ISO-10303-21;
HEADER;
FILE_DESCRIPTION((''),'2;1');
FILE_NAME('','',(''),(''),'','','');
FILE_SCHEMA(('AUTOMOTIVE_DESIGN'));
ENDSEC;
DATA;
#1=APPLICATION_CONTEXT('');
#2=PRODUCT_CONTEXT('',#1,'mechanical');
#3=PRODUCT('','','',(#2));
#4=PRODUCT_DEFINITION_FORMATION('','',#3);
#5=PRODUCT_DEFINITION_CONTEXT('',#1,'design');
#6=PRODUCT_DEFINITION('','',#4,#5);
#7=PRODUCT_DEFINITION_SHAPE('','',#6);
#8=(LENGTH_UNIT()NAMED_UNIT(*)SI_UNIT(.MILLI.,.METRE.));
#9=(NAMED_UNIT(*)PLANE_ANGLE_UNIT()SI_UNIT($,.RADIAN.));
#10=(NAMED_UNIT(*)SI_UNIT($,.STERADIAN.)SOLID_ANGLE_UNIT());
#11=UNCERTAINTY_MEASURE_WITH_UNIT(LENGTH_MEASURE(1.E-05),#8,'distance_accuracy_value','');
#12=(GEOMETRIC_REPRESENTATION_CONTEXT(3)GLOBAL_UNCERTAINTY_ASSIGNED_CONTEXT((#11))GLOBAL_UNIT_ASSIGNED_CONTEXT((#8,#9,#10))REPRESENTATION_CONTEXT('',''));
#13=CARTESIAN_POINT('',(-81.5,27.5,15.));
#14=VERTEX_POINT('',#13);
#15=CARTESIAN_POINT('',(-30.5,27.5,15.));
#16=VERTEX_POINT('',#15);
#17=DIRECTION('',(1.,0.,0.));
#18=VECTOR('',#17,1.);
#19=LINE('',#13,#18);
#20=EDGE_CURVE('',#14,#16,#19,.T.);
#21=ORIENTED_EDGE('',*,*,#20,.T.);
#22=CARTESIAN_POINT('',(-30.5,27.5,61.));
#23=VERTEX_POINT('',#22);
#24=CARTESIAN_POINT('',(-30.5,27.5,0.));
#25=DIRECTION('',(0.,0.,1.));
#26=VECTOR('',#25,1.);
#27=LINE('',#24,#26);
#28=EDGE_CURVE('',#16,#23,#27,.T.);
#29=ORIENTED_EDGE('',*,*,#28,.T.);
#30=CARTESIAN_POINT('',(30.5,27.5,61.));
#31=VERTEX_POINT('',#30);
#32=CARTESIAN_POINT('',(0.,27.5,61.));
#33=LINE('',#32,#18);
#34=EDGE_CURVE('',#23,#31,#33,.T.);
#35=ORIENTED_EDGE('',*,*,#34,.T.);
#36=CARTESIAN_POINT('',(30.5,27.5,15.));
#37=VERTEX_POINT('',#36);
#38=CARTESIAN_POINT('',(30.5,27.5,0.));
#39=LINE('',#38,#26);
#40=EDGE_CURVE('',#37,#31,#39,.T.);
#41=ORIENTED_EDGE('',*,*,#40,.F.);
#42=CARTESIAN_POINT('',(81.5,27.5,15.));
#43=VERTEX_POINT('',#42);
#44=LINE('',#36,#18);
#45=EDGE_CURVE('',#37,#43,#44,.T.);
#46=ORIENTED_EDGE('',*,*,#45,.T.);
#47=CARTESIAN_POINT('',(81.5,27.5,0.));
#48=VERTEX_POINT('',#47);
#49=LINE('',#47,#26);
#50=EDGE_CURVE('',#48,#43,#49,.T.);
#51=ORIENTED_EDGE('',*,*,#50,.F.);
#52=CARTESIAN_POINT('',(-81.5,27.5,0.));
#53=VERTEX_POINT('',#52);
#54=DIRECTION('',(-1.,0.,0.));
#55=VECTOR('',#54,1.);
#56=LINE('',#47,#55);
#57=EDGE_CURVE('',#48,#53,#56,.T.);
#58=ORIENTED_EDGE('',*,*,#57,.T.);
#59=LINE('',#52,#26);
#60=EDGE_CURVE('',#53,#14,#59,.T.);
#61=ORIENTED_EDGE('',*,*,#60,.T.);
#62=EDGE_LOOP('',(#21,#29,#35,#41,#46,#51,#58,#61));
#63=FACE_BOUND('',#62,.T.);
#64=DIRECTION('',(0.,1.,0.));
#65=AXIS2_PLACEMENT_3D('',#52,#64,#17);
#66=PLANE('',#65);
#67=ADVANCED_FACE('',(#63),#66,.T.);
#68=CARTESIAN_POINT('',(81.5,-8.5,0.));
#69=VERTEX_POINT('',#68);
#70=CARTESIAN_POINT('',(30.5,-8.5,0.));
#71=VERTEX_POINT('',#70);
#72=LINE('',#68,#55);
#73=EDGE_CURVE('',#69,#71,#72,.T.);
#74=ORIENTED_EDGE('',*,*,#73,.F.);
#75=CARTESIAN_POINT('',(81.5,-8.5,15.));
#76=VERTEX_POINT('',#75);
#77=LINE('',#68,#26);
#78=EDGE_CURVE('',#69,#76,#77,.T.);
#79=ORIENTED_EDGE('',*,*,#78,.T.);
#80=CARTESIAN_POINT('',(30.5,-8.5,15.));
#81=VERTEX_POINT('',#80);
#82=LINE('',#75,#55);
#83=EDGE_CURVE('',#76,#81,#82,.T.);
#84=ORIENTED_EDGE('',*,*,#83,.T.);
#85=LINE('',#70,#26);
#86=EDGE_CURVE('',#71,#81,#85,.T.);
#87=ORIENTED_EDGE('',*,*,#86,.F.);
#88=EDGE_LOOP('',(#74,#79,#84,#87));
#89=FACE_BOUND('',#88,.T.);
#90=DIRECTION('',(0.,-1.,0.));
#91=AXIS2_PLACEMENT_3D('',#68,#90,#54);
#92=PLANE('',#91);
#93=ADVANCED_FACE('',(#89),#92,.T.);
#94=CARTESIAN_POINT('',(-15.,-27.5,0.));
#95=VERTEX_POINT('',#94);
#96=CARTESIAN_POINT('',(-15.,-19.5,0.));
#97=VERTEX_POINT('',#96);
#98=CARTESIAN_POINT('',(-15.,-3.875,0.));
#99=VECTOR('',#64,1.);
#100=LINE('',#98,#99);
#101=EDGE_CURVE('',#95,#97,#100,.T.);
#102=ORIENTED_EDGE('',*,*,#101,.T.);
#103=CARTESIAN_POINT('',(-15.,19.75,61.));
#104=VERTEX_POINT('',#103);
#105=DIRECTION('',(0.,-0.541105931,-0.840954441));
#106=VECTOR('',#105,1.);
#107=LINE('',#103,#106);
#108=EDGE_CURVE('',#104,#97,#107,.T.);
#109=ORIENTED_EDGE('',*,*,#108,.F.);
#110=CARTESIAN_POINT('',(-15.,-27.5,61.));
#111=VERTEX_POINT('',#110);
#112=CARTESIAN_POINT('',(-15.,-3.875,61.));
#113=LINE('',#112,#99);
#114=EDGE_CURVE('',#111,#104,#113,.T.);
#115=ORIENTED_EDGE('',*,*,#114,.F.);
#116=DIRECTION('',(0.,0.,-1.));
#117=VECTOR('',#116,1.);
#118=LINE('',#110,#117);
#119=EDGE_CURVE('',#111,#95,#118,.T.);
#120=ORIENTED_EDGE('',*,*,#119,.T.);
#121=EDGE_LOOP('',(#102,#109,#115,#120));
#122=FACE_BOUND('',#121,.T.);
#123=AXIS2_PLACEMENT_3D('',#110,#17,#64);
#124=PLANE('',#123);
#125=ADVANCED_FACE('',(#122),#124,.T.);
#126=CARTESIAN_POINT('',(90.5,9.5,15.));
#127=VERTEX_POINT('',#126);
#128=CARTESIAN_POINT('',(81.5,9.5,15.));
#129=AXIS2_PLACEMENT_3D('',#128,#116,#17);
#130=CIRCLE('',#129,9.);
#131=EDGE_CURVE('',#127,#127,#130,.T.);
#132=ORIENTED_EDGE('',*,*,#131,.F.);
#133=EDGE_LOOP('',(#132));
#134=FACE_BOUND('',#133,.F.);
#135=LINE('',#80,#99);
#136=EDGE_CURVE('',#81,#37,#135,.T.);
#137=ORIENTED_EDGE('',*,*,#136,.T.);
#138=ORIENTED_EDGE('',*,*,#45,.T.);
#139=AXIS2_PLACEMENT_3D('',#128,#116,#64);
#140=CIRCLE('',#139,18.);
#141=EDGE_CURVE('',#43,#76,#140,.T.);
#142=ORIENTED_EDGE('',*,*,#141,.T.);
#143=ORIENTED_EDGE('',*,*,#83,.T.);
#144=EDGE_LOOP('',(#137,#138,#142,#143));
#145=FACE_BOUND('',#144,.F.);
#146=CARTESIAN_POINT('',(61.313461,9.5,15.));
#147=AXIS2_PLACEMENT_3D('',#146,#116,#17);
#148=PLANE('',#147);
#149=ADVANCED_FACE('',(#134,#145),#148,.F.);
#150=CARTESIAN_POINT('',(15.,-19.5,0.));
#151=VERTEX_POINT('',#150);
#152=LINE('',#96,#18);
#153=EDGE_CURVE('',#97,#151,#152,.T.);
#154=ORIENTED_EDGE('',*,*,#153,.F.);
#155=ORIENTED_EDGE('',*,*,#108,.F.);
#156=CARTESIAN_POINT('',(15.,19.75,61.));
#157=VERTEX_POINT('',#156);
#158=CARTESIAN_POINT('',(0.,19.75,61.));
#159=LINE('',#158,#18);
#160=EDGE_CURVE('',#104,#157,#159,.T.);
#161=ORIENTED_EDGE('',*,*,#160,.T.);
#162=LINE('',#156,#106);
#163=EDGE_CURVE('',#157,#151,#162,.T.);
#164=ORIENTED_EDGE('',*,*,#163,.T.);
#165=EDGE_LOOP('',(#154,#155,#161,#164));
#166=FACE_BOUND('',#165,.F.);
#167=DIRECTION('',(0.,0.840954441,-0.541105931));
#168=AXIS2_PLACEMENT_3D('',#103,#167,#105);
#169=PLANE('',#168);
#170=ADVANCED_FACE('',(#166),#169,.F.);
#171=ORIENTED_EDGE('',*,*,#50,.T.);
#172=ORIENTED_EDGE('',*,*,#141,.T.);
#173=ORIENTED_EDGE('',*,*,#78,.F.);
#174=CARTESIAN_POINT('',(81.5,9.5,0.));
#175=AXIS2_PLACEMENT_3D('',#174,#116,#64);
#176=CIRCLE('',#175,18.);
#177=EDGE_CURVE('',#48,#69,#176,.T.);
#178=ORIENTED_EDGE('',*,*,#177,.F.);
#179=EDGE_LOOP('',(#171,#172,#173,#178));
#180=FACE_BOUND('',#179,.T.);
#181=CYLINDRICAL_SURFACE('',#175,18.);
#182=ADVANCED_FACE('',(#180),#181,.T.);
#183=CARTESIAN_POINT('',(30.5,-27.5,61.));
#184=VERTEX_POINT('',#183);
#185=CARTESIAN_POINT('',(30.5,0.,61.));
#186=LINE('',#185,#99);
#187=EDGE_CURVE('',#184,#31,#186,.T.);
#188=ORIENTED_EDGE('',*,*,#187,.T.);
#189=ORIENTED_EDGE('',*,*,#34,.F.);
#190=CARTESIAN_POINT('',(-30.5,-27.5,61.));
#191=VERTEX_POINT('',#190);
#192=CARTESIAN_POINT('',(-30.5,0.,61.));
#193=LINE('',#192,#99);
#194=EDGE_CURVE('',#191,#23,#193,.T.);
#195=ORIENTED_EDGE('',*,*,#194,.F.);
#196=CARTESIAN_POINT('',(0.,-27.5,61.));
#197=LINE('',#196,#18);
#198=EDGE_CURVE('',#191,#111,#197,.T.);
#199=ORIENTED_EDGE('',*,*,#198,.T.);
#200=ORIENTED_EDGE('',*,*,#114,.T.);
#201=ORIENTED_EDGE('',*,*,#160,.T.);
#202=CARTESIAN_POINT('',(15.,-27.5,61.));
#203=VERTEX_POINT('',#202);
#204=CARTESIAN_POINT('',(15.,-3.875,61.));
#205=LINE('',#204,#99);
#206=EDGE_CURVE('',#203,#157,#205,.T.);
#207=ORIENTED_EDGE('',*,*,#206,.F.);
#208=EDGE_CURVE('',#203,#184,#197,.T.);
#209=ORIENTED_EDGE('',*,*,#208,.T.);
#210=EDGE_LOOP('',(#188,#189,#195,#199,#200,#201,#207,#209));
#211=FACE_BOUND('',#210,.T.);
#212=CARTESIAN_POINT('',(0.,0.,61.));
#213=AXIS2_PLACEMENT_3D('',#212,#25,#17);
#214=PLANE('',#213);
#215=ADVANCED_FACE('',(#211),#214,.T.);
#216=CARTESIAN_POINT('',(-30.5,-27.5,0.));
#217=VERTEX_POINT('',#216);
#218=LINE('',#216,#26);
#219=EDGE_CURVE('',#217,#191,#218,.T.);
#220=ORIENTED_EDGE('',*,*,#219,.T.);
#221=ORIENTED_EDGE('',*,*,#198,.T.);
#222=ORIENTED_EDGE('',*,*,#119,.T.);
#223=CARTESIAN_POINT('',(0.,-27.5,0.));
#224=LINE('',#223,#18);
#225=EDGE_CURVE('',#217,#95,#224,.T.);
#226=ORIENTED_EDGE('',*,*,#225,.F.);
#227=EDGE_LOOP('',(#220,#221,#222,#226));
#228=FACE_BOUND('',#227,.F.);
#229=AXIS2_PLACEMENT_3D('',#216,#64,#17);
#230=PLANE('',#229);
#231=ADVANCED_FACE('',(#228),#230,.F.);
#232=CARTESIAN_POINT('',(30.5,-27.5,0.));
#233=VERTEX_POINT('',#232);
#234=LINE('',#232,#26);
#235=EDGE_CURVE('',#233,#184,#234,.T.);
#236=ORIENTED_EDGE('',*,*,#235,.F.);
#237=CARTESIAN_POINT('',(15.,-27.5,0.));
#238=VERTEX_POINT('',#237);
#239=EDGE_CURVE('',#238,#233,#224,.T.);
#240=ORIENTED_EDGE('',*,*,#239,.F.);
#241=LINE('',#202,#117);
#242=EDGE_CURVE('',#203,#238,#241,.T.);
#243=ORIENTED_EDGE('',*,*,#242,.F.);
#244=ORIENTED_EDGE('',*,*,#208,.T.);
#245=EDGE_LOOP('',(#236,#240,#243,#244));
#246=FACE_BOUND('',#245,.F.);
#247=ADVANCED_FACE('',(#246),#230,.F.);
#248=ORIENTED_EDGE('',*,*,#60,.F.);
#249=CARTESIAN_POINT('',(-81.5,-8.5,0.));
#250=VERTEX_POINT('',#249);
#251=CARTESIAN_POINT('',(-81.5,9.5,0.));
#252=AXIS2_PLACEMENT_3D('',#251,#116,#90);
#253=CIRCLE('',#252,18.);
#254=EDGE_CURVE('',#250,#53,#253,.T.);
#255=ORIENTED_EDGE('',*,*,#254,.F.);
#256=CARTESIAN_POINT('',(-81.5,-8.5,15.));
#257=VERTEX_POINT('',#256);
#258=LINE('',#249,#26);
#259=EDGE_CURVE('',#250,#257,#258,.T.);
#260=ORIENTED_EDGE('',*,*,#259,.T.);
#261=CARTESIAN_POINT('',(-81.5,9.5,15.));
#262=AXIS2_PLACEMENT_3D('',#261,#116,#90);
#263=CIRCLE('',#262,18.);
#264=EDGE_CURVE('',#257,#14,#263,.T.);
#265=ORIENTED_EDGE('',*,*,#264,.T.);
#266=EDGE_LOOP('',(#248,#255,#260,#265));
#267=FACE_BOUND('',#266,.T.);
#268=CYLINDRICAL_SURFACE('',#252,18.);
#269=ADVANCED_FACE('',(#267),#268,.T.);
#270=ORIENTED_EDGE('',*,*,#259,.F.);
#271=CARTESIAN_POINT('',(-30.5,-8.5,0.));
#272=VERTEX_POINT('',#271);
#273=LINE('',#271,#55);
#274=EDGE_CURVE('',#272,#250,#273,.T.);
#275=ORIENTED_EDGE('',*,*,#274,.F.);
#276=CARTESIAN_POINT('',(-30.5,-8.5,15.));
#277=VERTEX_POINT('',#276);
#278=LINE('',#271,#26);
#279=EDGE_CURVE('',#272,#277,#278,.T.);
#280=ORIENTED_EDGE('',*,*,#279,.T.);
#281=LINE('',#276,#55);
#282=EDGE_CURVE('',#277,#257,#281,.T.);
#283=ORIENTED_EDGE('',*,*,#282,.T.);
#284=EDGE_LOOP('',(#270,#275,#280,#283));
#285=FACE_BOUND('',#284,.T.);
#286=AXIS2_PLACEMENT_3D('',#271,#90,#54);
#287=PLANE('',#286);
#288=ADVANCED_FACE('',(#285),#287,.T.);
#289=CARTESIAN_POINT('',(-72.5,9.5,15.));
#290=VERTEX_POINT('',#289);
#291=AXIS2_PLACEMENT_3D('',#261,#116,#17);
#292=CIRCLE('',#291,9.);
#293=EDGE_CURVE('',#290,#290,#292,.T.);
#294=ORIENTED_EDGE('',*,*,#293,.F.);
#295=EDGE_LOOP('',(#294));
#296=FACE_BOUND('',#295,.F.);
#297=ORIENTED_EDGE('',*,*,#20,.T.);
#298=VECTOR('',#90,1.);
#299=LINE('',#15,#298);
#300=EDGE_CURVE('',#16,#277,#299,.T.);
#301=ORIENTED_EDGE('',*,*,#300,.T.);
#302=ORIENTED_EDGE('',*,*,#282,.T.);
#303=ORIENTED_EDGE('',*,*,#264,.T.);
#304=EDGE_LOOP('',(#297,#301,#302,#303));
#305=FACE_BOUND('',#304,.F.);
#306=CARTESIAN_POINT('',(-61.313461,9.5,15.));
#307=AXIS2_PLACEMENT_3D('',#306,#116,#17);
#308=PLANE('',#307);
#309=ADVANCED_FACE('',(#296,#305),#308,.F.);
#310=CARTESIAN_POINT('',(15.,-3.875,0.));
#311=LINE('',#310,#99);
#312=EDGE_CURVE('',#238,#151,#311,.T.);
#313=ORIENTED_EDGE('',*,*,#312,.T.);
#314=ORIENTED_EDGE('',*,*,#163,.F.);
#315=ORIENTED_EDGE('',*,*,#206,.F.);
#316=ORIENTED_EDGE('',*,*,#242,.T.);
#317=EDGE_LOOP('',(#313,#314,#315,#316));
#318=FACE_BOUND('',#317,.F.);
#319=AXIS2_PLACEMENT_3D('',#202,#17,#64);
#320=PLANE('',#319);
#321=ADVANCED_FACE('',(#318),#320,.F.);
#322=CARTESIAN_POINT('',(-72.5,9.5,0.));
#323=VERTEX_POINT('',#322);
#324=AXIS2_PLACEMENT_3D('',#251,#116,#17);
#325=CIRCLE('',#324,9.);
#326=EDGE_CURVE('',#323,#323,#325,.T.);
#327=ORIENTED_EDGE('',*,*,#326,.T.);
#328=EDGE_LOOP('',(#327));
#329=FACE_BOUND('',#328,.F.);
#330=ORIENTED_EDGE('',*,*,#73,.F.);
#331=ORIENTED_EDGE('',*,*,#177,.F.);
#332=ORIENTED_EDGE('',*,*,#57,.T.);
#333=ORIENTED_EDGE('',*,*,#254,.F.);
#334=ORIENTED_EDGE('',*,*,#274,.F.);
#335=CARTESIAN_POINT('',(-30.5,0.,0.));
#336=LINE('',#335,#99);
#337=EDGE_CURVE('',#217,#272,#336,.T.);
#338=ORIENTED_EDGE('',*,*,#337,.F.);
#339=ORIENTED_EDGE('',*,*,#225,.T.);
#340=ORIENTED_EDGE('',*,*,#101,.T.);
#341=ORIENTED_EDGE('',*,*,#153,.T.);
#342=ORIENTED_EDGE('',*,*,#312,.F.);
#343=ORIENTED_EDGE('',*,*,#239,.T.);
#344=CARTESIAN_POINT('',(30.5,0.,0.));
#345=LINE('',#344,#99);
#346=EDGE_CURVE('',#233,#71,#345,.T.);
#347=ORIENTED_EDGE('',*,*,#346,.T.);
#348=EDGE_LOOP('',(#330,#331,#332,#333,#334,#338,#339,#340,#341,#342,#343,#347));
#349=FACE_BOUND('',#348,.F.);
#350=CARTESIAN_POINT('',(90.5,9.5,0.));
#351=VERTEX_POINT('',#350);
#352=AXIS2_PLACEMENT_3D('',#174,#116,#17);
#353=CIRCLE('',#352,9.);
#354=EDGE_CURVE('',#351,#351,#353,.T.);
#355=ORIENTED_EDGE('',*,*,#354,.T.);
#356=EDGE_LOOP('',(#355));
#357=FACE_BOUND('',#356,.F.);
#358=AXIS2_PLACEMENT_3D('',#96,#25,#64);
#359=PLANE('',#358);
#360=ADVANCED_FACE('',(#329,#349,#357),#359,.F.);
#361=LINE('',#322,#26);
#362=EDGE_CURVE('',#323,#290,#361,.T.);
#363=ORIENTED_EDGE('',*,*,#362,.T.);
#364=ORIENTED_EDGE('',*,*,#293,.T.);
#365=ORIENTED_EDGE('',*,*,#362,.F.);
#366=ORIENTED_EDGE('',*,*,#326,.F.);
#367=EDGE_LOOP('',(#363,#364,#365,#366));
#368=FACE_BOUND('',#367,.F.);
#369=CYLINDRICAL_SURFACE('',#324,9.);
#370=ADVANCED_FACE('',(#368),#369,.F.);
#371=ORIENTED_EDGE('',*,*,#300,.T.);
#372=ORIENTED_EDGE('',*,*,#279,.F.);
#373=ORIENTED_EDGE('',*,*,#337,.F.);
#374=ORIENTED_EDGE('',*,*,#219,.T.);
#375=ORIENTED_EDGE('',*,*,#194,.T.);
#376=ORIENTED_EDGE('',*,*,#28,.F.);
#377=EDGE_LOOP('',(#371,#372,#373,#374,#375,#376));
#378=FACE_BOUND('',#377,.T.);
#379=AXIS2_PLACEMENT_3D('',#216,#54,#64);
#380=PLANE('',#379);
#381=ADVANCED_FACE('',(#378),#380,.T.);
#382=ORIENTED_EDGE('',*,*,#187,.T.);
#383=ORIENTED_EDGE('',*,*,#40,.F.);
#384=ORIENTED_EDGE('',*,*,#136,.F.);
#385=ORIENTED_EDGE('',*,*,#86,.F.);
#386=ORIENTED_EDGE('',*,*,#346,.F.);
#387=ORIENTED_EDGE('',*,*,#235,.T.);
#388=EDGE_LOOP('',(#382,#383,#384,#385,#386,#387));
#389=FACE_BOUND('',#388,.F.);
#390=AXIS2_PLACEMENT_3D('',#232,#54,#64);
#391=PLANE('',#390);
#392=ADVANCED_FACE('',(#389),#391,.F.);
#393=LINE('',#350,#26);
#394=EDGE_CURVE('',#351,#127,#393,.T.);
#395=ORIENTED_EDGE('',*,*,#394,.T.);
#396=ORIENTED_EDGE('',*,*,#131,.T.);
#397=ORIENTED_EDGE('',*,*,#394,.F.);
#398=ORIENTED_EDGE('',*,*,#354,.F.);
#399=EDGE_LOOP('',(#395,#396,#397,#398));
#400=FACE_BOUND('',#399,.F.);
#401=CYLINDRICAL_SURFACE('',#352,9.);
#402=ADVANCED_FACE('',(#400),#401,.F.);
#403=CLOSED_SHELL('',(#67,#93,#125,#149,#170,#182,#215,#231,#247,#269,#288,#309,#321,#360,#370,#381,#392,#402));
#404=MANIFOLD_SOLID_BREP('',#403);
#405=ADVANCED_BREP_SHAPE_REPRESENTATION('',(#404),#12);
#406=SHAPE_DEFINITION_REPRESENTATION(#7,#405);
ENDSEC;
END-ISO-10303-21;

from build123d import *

# Parameters (mm, degrees)
F0_W     = 61
F0_H     = 55
F1_DEPTH = 61
F2_W     = 30
F2_H     = 47.25
F3_DEPTH = 61
F4_R     = 9
F5_DEPTH = 15
F7_DEPTH = 30


with BuildPart() as f1:
    # F0 (on Top) → F1 (new body)
    with BuildSketch(Plane.XY):
        Rectangle(F0_W, F0_H)
    extrude(amount=F1_DEPTH)

    # F2 (on face) → F3 (cut)
    with BuildSketch(Plane.XY.offset(61)):
        with Locations((0, -3.875)):
            Rectangle(F2_W, F2_H)
    extrude(amount=-F3_DEPTH, mode=Mode.SUBTRACT)

    # F4 (on face) → F5 (join)
    with BuildSketch(Plane(origin=(0, 0, 0), x_dir=(1, 0, 0), z_dir=(0, 0, -1))):
        with BuildLine():
            Line((-81.5, -27.5), (-30.5, -27.5))
            Line((-30.5, -27.5), (-30.5, 8.5))
            Line((-30.5, 8.5), (-81.5, 8.5))
            ThreePointArc((-81.5, 8.5), (-99.5, -9.5), (-81.5, -27.5))
        make_face()
        with Locations((-81.5, -9.5)):
            Circle(F4_R, mode=Mode.SUBTRACT)
        with BuildLine():
            Line((30.5, 8.5), (30.5, -27.5))
            Line((30.5, -27.5), (81.5, -27.5))
            ThreePointArc((81.5, -27.5), (99.5, -9.5), (81.5, 8.5))
            Line((81.5, 8.5), (30.5, 8.5))
        make_face()
        with Locations((81.5, -9.5)):
            Circle(F4_R, mode=Mode.SUBTRACT)
    extrude(amount=-F5_DEPTH)

    # F6 (on face) → F7 (join)
    with BuildSketch(Plane.YZ.offset(-15)):
        Polygon((19.75, 0), (19.75, 61), (-19.5, 0), align=None)
    extrude(amount=F7_DEPTH)


solid = f1.part
